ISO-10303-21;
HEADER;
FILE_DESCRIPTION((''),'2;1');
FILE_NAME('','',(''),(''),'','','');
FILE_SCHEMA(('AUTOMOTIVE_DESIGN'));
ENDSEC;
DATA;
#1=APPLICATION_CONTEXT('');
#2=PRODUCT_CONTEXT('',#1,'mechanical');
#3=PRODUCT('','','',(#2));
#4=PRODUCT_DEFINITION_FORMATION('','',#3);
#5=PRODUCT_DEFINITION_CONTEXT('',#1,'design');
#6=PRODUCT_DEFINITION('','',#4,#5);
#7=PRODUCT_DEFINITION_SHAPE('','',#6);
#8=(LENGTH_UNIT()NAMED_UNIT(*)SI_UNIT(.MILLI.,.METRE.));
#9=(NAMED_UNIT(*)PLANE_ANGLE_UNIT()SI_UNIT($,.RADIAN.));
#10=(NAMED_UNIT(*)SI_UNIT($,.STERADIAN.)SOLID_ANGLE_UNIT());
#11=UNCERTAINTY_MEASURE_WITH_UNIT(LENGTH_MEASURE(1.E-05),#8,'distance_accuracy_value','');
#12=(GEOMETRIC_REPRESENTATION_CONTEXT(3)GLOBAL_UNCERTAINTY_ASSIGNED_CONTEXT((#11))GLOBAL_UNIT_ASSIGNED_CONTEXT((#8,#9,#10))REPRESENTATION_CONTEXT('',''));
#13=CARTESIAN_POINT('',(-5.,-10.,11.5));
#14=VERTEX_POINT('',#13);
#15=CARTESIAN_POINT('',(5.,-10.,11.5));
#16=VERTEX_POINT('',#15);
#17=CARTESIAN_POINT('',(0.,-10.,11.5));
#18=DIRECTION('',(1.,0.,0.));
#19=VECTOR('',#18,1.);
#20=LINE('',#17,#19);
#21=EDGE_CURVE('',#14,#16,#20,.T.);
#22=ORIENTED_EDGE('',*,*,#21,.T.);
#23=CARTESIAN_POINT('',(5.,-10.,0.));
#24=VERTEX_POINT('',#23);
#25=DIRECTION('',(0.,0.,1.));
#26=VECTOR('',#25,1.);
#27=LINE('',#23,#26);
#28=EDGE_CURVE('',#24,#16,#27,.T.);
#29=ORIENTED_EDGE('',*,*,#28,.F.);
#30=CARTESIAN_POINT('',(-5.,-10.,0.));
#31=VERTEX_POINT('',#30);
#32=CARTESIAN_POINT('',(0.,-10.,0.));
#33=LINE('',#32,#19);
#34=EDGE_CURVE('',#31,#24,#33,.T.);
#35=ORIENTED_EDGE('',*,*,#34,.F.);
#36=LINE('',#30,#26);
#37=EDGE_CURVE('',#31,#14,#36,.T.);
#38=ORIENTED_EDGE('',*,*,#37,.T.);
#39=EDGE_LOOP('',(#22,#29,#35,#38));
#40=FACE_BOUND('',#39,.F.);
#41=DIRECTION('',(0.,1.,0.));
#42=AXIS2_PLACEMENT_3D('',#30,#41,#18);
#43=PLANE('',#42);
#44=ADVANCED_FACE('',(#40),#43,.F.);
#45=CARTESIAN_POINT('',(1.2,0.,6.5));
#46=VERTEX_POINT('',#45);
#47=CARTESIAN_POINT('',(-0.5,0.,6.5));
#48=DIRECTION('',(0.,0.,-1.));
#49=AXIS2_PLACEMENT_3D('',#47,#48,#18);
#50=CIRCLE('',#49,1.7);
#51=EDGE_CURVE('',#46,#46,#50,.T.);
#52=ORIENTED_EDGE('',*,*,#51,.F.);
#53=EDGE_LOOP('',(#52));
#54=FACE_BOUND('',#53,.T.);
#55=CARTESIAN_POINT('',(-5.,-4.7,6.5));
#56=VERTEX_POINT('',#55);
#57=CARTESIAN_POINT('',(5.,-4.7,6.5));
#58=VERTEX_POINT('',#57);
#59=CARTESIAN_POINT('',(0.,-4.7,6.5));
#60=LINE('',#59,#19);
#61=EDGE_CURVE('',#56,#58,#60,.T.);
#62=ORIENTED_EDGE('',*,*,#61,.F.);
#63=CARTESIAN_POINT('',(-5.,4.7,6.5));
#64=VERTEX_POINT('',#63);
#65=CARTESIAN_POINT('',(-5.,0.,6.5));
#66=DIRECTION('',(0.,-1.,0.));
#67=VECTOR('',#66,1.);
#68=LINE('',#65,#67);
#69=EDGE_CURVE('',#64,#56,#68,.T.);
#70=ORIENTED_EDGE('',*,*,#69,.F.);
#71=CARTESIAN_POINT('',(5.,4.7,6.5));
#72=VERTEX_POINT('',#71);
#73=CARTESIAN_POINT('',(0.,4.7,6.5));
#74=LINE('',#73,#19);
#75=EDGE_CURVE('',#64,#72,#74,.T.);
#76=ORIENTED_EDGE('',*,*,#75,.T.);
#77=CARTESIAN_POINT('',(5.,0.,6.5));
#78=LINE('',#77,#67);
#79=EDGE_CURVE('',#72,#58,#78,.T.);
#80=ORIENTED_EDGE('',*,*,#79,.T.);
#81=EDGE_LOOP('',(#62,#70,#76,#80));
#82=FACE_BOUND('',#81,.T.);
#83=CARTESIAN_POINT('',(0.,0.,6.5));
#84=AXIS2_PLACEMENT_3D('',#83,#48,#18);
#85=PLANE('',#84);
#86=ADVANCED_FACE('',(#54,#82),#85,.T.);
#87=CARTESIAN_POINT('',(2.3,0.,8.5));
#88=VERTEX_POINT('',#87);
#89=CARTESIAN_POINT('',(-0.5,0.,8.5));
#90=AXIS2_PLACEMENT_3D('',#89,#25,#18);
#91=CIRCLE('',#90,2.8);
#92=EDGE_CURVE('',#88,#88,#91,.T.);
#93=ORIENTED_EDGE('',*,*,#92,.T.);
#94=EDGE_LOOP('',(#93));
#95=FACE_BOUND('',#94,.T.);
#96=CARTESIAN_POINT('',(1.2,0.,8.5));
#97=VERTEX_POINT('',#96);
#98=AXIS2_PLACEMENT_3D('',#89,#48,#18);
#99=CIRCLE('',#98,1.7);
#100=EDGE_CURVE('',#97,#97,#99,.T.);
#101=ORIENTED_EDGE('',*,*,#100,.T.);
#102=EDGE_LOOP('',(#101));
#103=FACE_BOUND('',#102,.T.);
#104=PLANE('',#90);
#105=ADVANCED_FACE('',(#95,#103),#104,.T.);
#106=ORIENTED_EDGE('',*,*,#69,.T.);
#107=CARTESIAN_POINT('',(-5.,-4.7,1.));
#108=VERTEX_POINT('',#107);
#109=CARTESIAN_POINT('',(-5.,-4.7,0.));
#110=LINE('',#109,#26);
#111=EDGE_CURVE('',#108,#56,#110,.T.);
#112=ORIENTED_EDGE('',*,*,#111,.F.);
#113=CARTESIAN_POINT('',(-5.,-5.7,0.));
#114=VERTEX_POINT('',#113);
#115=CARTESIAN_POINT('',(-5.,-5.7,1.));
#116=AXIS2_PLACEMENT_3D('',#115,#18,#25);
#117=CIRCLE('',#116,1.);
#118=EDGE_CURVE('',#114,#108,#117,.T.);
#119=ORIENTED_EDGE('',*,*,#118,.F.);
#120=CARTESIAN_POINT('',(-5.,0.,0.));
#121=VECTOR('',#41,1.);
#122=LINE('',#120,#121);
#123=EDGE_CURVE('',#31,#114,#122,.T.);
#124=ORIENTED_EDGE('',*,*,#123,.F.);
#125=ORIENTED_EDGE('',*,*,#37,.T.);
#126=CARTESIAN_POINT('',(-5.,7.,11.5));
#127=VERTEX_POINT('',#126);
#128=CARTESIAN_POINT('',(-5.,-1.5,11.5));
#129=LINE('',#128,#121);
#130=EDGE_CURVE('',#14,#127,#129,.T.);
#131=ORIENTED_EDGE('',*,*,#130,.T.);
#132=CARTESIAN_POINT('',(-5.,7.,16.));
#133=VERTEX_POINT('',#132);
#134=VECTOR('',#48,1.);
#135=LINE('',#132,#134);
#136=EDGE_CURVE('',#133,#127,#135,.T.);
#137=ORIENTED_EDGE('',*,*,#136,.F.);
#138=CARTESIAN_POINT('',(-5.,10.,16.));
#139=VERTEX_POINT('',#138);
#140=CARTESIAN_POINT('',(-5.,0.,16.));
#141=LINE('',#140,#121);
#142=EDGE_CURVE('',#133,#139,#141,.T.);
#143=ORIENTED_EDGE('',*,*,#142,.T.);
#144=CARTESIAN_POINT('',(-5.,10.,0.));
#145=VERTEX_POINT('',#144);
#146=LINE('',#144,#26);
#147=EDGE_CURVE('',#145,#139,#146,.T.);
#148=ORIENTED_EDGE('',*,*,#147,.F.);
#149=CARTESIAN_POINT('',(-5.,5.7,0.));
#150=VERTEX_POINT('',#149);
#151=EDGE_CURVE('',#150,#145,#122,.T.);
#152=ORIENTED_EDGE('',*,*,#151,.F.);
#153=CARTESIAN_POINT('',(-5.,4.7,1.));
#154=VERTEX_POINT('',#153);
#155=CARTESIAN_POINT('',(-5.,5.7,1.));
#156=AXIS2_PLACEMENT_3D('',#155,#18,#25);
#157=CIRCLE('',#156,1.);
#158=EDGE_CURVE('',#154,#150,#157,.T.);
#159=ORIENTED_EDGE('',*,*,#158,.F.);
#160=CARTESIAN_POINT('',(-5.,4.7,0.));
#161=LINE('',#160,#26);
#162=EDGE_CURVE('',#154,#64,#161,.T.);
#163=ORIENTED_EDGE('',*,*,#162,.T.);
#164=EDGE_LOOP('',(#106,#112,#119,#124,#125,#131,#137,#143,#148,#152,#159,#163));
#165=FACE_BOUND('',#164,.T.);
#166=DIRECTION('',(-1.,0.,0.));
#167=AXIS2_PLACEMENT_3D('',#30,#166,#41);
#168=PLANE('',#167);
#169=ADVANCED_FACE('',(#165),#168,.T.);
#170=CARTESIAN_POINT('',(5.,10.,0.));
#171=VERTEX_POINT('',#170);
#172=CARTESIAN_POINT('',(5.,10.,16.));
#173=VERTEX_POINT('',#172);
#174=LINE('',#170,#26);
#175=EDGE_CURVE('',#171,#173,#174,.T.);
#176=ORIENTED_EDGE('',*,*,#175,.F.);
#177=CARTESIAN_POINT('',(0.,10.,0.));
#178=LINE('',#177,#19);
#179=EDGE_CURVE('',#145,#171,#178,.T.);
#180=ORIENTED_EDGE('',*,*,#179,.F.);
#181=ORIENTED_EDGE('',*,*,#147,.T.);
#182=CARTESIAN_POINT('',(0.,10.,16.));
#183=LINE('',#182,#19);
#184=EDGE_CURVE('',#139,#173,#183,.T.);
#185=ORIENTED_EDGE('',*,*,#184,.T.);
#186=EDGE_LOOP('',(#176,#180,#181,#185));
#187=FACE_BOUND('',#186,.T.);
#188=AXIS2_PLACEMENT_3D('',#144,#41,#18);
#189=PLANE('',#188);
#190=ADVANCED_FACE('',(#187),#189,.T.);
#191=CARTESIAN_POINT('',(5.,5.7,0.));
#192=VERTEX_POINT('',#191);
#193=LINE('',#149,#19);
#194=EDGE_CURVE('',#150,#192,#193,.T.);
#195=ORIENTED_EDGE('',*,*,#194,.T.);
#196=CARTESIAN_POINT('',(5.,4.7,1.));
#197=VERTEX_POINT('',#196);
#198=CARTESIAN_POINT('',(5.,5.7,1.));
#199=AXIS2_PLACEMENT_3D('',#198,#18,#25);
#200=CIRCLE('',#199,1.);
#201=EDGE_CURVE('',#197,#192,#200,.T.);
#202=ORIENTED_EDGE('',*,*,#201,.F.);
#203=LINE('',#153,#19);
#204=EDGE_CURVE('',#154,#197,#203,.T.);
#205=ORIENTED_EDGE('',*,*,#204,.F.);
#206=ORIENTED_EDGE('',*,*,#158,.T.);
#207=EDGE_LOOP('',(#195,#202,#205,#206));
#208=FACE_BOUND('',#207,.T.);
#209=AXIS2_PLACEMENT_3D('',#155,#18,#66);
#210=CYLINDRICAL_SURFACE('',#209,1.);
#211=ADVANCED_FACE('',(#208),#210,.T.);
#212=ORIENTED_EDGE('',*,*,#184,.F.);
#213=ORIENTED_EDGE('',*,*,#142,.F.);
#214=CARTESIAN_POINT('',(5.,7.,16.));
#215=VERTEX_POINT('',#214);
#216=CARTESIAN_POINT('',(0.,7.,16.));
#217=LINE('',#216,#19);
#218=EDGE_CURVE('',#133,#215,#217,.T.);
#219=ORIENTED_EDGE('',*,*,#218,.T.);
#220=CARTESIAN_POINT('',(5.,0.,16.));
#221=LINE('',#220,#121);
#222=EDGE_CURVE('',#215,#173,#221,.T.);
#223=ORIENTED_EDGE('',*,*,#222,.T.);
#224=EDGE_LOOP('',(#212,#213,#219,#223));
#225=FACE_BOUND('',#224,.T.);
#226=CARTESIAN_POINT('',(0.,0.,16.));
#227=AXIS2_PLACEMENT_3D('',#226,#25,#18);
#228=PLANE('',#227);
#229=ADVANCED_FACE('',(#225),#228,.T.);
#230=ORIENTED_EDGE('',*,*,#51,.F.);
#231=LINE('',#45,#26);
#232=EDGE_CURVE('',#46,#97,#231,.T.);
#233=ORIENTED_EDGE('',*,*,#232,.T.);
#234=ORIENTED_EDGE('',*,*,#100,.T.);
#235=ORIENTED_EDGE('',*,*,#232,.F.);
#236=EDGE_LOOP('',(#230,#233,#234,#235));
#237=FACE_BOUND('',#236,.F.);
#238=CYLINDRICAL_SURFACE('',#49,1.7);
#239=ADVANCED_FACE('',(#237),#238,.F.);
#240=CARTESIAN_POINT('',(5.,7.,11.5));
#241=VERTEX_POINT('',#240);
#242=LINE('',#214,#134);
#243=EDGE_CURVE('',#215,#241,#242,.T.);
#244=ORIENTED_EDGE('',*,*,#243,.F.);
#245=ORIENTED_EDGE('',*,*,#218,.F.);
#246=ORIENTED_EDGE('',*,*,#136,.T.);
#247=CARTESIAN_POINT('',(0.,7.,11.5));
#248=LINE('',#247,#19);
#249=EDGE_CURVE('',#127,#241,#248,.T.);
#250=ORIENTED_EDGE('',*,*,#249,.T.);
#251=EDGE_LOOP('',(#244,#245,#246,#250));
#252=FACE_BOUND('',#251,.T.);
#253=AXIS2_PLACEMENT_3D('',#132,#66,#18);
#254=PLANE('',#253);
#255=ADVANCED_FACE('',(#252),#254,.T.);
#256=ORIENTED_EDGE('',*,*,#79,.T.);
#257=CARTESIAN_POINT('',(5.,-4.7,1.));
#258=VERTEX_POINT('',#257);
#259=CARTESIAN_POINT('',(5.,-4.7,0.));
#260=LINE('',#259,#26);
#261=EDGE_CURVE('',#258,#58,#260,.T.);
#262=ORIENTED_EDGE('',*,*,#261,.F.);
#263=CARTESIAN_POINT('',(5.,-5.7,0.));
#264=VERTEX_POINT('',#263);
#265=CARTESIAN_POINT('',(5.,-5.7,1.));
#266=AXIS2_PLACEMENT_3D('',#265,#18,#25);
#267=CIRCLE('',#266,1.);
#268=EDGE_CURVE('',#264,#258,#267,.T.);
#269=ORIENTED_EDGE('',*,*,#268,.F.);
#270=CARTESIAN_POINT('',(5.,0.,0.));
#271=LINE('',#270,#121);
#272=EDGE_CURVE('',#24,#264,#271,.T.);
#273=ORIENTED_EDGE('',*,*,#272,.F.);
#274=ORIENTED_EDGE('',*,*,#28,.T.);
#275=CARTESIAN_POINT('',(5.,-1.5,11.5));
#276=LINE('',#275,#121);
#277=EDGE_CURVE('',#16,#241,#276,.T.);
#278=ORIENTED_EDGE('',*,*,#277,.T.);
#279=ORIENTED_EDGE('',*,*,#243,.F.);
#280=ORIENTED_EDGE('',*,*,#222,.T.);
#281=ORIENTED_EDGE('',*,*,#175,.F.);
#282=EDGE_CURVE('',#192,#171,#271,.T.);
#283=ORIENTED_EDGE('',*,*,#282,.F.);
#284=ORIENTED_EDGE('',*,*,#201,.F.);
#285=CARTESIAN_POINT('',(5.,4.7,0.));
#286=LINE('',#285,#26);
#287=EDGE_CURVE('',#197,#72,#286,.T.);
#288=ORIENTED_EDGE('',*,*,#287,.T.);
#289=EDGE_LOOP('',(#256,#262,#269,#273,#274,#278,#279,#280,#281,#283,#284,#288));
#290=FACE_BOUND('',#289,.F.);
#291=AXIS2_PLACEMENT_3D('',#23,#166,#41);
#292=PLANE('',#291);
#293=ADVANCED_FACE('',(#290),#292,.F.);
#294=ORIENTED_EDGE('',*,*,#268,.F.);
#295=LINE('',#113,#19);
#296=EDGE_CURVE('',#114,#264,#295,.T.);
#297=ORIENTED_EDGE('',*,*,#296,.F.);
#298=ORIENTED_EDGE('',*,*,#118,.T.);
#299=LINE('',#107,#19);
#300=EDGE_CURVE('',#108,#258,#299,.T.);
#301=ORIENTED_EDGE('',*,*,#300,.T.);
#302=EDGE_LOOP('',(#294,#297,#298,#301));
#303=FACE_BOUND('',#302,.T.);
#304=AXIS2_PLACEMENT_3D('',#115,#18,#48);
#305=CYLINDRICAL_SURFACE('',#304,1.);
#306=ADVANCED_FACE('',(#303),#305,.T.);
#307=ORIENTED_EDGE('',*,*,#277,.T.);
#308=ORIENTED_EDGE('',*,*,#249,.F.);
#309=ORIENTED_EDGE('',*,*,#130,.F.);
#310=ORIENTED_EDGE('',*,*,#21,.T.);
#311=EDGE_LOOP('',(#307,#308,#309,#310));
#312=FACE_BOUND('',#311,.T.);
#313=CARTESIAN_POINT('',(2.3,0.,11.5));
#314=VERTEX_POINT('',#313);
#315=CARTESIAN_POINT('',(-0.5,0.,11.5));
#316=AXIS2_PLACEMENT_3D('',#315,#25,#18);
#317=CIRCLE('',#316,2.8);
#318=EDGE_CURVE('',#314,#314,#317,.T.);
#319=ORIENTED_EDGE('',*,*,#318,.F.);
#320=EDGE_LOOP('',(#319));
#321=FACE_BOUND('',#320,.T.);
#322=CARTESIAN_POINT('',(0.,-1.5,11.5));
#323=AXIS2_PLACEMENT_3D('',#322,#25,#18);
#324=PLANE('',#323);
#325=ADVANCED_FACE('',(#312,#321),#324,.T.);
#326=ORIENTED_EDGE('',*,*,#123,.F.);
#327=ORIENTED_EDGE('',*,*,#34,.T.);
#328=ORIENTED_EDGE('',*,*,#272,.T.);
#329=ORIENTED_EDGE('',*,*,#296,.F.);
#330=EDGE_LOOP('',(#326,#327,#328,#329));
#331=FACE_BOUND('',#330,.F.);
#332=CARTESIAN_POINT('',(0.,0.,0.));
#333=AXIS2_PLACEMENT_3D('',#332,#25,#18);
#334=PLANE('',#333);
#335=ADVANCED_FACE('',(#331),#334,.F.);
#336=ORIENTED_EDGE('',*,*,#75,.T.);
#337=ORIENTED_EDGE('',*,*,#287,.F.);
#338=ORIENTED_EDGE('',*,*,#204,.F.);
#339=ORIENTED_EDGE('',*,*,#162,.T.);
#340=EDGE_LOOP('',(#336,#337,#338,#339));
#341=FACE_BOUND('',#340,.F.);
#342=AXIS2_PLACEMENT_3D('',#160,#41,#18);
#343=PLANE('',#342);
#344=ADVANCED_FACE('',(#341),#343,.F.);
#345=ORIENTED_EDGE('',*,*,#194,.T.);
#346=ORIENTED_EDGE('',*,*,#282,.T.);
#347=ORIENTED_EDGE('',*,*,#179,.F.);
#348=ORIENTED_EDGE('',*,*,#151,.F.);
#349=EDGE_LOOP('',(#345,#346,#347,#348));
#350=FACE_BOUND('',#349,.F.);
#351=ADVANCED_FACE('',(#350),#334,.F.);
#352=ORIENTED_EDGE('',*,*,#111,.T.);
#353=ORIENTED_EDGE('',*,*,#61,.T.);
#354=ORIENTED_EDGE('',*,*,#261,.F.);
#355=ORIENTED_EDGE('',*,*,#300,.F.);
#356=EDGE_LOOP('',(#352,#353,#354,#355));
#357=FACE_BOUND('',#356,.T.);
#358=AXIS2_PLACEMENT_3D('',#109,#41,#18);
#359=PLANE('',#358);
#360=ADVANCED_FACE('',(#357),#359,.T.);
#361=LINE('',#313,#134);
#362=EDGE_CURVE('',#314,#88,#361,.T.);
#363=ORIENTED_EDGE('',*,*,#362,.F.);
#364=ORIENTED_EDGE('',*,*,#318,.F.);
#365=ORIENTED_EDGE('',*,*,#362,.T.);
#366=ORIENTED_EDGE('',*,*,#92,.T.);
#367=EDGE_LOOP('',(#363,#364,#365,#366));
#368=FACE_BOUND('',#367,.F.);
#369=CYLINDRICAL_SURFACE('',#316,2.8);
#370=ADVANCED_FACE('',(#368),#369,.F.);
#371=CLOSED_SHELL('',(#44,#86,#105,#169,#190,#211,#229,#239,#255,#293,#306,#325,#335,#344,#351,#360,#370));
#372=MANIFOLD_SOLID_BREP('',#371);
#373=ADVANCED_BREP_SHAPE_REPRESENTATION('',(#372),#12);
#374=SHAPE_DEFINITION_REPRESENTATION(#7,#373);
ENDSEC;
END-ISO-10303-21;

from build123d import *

# Parameters (mm, degrees)
SKETCH_W        = 10
SKETCH_H        = 20
PAD_DEPTH       = 16
SKETCH001_W     = 10
SKETCH001_H     = 17
POCKET_DEPTH    = 4.5
SKETCH002_W     = 10
SKETCH002_H     = 9.4
POCKET001_DEPTH = 6.5
SKETCH003_R     = 1.7
POCKET002_DEPTH = 5
SKETCH004_R     = 2.8
POCKET003_DEPTH = 3
FILLET_R        = 1
FILLET001_R     = 1


with BuildPart() as part:
    # Sketch → Pad (new body)
    with BuildSketch(Plane.XY):
        Rectangle(SKETCH_W, SKETCH_H)
    extrude(amount=PAD_DEPTH)

    # Sketch001 (on Face6 of Pad) → Pocket (cut)
    with BuildSketch(Plane.XY.offset(16)):
        with Locations((0, -1.5)):
            Rectangle(SKETCH001_W, SKETCH001_H)
    extrude(amount=-POCKET_DEPTH, mode=Mode.SUBTRACT)

    # Sketch002 (on Face4 of Pocket) → Pocket001 (cut)
    with BuildSketch(Plane(origin=(0, 0, 0), x_dir=(1, 0, 0), z_dir=(0, 0, -1))):
        Rectangle(SKETCH002_W, SKETCH002_H)
    extrude(amount=-POCKET001_DEPTH, mode=Mode.SUBTRACT)

    # Sketch003 (on Face8 of Pocket001) → Pocket002 (cut)
    with BuildSketch(Plane(origin=(0, 0, 6.5), x_dir=(1, 0, 0), z_dir=(0, 0, -1))):
        with Locations((-0.5, 0)):
            Circle(SKETCH003_R)
    extrude(amount=-POCKET002_DEPTH, mode=Mode.SUBTRACT)

    # Sketch004 (on Face11 of Pocket002) → Pocket003 (cut)
    with BuildSketch(Plane.XY.offset(11.5)):
        with Locations((-0.5, 0)):
            Circle(SKETCH004_R)
    extrude(amount=-POCKET003_DEPTH, mode=Mode.SUBTRACT)

    # Fillet
    fillet_edges = [part.edges().sort_by_distance(p)[0] for p in [
        (0, -4.7, 0),
    ]]
    fillet(fillet_edges, radius=FILLET_R)

    # Fillet001
    fillet001_edges = [part.edges().sort_by_distance(p)[0] for p in [
        (0, 4.7, 0),
    ]]
    fillet(fillet001_edges, radius=FILLET001_R)


solid = part.part
